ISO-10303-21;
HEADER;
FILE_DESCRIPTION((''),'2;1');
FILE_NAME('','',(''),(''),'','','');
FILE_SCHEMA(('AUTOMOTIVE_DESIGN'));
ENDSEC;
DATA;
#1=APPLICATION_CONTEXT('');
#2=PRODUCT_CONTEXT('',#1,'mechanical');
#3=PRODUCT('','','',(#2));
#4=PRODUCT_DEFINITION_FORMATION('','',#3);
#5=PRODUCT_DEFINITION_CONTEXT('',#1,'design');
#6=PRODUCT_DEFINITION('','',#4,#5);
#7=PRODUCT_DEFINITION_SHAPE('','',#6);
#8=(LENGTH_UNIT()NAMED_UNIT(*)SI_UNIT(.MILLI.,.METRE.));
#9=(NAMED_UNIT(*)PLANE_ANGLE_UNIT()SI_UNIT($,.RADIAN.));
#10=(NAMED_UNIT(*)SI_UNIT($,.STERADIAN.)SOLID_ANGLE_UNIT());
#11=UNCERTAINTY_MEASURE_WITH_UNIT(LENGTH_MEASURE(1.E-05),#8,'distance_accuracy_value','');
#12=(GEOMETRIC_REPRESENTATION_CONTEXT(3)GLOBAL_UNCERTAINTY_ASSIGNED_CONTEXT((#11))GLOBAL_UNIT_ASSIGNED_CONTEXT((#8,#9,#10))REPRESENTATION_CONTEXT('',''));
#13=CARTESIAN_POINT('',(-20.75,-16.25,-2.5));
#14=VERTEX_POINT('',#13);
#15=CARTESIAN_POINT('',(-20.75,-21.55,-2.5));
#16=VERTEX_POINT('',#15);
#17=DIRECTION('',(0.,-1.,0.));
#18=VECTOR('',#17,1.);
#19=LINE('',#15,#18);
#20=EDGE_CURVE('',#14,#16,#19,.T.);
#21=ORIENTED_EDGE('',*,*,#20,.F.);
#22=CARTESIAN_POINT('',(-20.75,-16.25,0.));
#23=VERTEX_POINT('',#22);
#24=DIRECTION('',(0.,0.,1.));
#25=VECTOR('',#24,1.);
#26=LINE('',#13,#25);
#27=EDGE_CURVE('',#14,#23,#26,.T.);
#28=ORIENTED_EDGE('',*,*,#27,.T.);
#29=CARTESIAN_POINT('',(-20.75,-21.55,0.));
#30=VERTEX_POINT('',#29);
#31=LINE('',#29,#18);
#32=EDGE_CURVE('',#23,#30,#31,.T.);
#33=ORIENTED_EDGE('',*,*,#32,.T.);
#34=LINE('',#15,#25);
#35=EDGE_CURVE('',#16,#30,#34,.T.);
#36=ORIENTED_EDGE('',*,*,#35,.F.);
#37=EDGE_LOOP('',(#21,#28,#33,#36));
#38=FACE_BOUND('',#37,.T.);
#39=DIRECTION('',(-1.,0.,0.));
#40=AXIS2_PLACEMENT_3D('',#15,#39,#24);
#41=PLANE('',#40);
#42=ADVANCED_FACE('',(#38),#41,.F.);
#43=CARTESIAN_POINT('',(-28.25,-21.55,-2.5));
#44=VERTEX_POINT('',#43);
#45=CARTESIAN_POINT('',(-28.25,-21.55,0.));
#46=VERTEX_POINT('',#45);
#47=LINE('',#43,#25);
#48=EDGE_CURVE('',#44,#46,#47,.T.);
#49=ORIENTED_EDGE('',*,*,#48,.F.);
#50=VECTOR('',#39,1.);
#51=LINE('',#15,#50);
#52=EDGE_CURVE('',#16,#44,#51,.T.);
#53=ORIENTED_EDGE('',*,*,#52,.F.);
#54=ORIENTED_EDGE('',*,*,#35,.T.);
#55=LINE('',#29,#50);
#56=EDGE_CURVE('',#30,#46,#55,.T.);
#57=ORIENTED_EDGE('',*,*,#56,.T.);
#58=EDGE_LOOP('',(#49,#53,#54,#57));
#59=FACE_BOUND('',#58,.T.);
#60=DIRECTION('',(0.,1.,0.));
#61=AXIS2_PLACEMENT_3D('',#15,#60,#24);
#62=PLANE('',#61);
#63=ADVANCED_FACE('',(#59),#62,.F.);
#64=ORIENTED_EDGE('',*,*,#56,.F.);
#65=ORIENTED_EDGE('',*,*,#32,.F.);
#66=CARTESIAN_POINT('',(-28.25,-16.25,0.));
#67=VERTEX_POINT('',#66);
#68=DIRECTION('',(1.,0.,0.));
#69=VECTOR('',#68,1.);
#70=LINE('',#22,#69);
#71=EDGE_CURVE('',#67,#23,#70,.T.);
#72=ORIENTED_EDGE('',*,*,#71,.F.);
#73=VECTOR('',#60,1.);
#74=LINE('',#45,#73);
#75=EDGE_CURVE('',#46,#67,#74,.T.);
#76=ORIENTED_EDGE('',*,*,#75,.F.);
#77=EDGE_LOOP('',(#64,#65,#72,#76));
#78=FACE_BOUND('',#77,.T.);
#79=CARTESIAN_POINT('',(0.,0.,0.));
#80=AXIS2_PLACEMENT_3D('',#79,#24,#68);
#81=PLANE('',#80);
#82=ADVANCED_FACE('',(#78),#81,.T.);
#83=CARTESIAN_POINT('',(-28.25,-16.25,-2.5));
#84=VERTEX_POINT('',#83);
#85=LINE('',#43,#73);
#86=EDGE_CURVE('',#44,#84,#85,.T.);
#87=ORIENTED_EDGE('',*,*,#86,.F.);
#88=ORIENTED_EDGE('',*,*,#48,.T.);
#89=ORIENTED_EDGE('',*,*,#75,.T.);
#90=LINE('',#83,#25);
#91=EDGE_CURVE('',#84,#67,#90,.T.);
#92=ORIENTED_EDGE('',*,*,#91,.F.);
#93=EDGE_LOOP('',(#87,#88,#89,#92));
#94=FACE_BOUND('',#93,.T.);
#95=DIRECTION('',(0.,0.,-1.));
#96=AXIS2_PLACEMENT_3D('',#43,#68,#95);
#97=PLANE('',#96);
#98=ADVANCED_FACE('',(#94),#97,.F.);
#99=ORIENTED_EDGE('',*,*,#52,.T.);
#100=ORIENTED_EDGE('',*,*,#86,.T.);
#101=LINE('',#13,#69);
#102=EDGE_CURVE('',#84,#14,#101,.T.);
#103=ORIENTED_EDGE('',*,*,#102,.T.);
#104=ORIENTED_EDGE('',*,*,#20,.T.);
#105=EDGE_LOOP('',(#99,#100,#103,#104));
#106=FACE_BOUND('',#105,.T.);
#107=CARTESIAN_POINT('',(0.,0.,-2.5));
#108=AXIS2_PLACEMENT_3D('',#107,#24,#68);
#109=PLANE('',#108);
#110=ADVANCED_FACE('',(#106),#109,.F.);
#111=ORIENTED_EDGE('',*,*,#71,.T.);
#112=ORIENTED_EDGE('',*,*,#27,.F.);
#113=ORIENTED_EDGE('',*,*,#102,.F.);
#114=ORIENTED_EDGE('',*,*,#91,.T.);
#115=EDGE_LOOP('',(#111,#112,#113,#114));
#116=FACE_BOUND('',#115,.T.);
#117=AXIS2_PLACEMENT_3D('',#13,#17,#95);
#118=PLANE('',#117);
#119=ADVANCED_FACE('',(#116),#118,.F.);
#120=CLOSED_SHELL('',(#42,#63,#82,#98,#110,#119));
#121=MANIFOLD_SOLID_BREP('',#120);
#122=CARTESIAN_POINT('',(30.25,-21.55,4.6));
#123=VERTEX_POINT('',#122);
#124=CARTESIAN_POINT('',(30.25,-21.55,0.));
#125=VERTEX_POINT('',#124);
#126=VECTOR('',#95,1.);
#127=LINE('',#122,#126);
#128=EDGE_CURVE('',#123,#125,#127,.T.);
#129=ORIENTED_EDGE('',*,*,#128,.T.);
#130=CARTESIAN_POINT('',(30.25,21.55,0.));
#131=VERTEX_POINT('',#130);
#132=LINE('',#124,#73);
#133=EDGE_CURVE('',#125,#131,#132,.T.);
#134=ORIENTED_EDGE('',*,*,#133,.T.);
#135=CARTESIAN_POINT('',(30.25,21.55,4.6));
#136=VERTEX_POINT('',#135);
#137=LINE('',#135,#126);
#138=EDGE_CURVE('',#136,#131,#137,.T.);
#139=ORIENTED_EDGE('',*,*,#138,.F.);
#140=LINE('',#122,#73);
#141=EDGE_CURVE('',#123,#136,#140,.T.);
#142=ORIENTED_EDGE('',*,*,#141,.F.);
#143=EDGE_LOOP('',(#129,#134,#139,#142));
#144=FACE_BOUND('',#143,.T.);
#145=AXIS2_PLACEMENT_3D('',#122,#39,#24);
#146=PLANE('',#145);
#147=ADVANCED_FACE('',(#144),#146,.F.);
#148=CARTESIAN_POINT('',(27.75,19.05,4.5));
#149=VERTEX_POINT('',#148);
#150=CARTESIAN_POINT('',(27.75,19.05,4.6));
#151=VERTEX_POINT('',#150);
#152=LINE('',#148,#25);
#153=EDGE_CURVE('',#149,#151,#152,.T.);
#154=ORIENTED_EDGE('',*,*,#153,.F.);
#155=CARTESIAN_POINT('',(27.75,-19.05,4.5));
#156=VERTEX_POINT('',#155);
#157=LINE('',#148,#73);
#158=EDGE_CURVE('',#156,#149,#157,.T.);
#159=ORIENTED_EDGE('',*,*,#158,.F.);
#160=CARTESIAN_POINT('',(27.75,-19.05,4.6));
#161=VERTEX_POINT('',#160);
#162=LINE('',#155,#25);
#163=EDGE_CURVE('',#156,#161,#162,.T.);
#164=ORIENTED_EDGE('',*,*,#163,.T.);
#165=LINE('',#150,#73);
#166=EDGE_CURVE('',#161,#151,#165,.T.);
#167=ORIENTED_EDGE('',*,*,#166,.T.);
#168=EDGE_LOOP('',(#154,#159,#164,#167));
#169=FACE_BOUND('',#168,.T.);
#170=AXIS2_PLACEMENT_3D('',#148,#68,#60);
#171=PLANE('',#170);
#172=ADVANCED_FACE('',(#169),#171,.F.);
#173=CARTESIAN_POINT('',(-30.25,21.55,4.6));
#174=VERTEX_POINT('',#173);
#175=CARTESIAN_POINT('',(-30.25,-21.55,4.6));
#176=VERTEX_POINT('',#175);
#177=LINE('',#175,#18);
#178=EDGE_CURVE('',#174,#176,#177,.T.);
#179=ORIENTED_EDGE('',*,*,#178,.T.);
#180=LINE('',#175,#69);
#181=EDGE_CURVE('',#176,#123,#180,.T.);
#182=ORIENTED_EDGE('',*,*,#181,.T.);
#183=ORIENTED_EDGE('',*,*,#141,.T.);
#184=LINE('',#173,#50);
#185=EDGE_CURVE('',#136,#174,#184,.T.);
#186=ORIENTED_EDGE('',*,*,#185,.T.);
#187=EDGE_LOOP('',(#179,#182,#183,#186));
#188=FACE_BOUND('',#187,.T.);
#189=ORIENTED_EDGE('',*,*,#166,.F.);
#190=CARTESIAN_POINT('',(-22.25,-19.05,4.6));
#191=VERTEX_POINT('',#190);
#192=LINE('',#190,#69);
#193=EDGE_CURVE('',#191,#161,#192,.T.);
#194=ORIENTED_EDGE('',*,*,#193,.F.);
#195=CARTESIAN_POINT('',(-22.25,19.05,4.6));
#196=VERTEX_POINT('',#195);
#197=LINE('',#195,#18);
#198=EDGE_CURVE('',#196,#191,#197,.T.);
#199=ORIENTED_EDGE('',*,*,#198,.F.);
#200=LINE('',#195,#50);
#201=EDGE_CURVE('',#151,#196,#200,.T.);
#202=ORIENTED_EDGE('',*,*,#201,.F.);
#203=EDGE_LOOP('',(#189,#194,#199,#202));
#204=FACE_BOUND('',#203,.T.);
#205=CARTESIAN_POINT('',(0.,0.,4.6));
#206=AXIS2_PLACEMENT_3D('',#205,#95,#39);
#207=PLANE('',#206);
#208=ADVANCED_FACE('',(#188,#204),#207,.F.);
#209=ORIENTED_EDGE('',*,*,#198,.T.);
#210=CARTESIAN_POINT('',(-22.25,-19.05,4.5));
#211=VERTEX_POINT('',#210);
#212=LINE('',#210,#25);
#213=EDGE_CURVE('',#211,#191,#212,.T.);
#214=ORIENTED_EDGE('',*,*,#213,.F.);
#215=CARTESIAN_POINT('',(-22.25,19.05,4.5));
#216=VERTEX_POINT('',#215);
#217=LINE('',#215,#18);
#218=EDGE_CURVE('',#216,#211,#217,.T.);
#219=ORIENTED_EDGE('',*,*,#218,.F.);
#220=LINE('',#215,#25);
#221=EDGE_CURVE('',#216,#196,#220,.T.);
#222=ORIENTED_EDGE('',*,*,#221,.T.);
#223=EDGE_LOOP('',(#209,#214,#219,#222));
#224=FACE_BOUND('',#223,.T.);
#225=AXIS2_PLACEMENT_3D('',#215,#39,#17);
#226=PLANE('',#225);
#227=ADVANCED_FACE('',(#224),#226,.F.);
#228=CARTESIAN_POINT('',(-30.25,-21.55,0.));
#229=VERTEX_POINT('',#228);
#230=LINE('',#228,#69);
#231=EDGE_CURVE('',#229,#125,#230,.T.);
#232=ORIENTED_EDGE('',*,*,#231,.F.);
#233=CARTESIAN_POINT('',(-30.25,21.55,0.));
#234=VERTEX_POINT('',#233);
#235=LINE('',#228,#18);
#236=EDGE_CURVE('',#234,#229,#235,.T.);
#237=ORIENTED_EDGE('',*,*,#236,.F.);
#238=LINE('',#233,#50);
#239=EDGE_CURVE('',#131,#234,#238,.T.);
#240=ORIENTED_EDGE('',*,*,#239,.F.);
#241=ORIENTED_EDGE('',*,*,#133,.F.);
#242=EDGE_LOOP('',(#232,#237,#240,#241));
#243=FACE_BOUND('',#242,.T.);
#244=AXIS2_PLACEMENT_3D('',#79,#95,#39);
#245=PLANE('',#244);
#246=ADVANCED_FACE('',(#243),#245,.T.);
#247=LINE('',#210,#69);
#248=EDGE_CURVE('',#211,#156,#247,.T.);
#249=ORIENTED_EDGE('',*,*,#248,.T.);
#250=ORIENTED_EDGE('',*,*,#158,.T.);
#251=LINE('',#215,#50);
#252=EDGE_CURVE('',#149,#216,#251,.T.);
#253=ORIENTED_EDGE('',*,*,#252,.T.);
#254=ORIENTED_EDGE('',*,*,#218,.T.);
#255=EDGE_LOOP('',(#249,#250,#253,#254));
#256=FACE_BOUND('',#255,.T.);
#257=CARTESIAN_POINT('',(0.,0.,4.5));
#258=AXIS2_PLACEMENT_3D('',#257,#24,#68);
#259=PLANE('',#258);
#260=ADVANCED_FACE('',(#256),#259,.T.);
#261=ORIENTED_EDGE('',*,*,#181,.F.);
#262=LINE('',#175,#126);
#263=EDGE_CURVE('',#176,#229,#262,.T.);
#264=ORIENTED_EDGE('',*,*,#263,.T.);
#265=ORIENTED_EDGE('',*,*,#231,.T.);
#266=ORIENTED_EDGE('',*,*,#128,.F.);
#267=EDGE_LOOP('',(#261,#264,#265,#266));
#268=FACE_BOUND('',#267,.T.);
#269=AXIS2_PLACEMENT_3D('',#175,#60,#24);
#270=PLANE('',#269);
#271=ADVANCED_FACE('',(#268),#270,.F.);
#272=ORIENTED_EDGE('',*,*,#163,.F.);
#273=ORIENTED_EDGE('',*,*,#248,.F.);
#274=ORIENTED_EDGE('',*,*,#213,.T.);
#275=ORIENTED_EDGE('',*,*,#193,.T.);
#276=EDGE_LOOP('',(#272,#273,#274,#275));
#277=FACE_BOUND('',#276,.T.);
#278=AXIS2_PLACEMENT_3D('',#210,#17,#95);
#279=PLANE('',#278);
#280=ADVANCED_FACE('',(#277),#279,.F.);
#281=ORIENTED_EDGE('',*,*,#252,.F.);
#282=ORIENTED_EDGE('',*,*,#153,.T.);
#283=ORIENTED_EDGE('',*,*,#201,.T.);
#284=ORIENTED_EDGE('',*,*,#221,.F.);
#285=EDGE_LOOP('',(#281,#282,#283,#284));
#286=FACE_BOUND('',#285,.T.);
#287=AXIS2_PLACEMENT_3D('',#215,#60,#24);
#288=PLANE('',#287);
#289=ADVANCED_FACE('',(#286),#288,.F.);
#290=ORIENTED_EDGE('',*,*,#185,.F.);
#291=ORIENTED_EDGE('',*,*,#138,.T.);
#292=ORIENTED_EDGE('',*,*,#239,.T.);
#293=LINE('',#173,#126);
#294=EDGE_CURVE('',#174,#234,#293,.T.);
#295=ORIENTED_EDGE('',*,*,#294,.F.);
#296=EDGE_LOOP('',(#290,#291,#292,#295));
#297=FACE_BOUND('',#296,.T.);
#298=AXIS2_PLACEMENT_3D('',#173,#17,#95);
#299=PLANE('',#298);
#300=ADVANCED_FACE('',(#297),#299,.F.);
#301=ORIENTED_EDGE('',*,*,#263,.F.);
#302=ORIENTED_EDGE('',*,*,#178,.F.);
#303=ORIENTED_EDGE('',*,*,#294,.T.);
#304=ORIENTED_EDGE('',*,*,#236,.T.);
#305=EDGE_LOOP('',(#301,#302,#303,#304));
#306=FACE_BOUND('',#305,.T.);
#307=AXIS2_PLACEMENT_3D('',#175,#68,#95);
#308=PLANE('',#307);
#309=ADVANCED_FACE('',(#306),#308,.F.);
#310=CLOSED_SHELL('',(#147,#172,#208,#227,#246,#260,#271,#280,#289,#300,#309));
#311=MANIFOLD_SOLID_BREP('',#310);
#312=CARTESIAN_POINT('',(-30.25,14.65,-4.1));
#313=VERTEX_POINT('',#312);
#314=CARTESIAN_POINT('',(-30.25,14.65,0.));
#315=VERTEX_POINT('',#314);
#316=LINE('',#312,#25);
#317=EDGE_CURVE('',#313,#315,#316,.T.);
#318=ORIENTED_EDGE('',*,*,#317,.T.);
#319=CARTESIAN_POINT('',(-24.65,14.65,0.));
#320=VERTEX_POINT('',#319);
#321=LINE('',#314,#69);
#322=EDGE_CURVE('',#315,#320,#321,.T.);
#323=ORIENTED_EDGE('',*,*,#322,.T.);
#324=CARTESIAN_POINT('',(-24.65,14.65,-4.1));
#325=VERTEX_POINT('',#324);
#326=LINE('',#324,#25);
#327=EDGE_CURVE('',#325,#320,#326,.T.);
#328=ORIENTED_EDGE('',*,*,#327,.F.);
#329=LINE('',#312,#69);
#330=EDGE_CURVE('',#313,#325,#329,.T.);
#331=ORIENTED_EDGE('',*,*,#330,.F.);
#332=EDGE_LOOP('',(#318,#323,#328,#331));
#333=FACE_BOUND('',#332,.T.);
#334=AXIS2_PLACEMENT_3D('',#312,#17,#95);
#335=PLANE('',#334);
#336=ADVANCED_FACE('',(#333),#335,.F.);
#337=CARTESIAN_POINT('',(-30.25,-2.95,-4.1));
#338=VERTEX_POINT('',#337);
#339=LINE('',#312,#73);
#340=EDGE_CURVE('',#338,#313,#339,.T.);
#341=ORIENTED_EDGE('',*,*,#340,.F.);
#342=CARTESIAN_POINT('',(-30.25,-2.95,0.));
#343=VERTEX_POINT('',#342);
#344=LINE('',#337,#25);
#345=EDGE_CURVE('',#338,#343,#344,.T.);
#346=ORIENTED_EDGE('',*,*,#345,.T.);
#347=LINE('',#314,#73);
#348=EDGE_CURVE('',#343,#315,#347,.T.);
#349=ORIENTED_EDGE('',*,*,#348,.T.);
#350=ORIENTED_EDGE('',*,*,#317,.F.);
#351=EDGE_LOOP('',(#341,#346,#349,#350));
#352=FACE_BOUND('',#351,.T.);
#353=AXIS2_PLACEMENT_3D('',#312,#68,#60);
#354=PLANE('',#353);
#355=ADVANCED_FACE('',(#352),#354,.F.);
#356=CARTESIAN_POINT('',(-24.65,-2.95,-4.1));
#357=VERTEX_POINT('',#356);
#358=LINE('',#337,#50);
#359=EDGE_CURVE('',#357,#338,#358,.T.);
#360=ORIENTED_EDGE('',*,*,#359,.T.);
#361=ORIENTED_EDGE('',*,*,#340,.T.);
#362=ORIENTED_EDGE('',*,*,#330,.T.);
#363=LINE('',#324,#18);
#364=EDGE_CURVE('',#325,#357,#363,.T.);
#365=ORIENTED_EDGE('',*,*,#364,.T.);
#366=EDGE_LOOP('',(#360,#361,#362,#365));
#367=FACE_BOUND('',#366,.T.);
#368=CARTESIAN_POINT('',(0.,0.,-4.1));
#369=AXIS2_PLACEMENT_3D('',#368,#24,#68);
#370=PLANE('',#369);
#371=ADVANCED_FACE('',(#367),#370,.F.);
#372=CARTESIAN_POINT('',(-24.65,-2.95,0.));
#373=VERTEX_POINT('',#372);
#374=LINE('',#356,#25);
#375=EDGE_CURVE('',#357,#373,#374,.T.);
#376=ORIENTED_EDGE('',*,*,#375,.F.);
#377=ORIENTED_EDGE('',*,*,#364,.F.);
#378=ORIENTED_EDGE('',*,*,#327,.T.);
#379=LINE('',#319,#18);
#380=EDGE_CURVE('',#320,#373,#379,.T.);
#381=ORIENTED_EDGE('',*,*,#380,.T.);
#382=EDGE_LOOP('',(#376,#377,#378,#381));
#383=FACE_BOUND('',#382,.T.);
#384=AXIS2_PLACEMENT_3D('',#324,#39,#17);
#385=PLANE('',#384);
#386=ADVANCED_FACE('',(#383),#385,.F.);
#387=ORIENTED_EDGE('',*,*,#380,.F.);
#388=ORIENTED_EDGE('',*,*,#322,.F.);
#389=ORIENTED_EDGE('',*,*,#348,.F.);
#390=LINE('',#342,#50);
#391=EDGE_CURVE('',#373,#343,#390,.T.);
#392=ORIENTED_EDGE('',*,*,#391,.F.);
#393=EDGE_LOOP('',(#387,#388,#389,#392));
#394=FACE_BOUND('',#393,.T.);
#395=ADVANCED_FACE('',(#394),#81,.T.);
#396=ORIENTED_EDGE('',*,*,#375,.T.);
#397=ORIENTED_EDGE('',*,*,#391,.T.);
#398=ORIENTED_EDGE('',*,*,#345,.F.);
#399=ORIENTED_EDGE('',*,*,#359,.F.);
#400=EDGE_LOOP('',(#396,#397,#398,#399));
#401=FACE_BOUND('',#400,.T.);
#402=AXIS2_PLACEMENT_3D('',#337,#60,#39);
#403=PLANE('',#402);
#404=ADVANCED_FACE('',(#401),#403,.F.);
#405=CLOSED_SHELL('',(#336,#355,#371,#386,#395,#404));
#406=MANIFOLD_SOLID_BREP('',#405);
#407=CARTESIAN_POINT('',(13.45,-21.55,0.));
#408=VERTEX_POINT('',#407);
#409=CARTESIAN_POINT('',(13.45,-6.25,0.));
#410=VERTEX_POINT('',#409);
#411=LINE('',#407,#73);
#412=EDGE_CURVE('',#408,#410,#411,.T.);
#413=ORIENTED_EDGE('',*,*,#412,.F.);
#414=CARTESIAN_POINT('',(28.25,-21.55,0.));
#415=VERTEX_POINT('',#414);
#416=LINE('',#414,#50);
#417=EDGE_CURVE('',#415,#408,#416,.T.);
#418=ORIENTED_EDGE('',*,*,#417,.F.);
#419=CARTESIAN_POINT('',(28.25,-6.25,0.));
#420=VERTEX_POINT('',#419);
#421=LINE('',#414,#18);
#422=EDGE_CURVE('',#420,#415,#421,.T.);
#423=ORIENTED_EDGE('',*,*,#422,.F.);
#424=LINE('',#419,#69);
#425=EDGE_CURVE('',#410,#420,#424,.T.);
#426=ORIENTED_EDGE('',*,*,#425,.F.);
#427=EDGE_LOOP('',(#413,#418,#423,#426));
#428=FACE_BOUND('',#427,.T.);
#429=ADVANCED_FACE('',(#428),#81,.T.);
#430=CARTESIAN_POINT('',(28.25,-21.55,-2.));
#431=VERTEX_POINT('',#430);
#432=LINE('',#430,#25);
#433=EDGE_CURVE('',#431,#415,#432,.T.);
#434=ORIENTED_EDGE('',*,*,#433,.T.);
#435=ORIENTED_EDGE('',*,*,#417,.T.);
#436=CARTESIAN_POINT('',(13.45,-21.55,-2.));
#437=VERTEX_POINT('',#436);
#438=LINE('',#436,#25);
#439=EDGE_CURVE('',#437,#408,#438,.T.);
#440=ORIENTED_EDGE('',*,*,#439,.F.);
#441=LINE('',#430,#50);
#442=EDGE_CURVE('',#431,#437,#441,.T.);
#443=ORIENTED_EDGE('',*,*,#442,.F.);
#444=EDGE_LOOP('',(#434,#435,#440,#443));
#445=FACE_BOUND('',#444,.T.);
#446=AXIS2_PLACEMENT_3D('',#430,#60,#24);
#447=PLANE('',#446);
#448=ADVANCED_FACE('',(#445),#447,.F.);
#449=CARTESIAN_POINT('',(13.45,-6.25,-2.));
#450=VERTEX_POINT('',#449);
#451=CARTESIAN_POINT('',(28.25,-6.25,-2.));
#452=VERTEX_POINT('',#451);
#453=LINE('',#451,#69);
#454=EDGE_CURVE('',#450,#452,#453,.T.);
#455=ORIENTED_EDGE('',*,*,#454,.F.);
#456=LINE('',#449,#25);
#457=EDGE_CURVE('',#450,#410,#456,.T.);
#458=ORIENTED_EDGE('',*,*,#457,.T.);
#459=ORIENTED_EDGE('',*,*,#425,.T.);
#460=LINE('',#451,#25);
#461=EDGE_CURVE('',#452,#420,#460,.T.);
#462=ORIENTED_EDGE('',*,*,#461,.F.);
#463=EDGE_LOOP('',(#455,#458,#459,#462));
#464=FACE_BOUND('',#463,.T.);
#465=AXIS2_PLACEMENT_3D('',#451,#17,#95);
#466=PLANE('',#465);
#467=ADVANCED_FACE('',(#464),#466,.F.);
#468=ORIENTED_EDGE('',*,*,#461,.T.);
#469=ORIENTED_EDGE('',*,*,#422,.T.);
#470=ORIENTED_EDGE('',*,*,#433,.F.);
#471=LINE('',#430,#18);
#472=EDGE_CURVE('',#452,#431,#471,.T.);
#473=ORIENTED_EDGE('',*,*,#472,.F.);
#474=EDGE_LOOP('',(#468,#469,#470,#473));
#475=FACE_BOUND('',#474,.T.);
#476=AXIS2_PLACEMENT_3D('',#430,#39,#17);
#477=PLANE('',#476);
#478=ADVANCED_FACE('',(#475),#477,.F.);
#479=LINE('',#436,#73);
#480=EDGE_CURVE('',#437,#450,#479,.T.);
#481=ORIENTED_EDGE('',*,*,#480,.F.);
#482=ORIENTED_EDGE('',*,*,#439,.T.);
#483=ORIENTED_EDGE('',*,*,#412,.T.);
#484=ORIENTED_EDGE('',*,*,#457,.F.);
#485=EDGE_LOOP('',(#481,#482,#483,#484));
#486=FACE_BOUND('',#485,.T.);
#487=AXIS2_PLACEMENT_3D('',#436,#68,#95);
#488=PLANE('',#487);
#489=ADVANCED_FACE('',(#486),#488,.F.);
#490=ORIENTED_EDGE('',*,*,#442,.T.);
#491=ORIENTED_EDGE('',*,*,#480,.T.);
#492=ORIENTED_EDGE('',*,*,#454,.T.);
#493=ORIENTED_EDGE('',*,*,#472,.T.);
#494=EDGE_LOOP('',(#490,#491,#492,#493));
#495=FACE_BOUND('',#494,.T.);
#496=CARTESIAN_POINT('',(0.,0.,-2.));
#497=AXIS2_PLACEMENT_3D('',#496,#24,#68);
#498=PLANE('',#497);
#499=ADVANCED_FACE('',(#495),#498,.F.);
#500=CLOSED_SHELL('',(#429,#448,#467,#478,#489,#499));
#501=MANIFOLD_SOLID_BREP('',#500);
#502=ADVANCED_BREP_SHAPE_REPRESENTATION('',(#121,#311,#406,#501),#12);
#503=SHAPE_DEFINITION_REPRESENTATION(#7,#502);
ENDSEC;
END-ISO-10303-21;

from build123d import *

# Parameters (mm, degrees)
ESQUISSE1_W             = 60.5
ESQUISSE1_H             = 43.1
BOSS_EXTRU_1_DEPTH      = 4.6
ESQUISSE2_W             = 50
ESQUISSE2_H             = 38.1
ENL_V_MAT_EXTRU_1_DEPTH = 0.1
ESQUISSE3_W             = 7.5
ESQUISSE3_H             = 5.3
BOSS_EXTRU_2_DEPTH      = 2.5
ESQUISSE4_W             = 5.6
ESQUISSE4_H             = 17.6
BOSS_EXTRU_3_DEPTH      = 4.1
ESQUISSE5_W             = 14.8
ESQUISSE5_H             = 15.3
BOSS_EXTRU_4_DEPTH      = 2


with BuildPart() as part:
    # Esquisse1 → Boss.-Extru.1 (new body)
    with BuildSketch(Plane.XY):
        Rectangle(ESQUISSE1_W, ESQUISSE1_H)
    extrude(amount=BOSS_EXTRU_1_DEPTH)

    # Esquisse2 → Enlèv. mat.-Extru.1 (cut)
    with BuildSketch(Plane.XY.offset(4.6)):
        with Locations((2.75, 0)):
            Rectangle(ESQUISSE2_W, ESQUISSE2_H)
    extrude(amount=-ENL_V_MAT_EXTRU_1_DEPTH, mode=Mode.SUBTRACT)


with BuildPart() as body_2:
    # Esquisse3 → Boss.-Extru.2 (new body)
    with BuildSketch(Plane(origin=(0, 0, 0), x_dir=(-1, 0, 0), z_dir=(0, 0, -1))):
        with Locations((24.5, -18.9)):
            Rectangle(ESQUISSE3_W, ESQUISSE3_H)
    extrude(amount=BOSS_EXTRU_2_DEPTH)


with BuildPart() as body_3:
    # Esquisse4 → Boss.-Extru.3 (new body)
    with BuildSketch(Plane(origin=(0, 0, 0), x_dir=(-1, 0, 0), z_dir=(0, 0, -1))):
        with Locations((27.45, 5.85)):
            Rectangle(ESQUISSE4_W, ESQUISSE4_H)
    extrude(amount=BOSS_EXTRU_3_DEPTH)


with BuildPart() as body_4:
    # Esquisse5 → Boss.-Extru.4 (new body)
    with BuildSketch(Plane(origin=(0, 0, 0), x_dir=(-1, 0, 0), z_dir=(0, 0, -1))):
        with Locations((-20.85, -13.9)):
            Rectangle(ESQUISSE5_W, ESQUISSE5_H)
    extrude(amount=BOSS_EXTRU_4_DEPTH)


solid = Compound([part.part, body_2.part, body_3.part, body_4.part])
